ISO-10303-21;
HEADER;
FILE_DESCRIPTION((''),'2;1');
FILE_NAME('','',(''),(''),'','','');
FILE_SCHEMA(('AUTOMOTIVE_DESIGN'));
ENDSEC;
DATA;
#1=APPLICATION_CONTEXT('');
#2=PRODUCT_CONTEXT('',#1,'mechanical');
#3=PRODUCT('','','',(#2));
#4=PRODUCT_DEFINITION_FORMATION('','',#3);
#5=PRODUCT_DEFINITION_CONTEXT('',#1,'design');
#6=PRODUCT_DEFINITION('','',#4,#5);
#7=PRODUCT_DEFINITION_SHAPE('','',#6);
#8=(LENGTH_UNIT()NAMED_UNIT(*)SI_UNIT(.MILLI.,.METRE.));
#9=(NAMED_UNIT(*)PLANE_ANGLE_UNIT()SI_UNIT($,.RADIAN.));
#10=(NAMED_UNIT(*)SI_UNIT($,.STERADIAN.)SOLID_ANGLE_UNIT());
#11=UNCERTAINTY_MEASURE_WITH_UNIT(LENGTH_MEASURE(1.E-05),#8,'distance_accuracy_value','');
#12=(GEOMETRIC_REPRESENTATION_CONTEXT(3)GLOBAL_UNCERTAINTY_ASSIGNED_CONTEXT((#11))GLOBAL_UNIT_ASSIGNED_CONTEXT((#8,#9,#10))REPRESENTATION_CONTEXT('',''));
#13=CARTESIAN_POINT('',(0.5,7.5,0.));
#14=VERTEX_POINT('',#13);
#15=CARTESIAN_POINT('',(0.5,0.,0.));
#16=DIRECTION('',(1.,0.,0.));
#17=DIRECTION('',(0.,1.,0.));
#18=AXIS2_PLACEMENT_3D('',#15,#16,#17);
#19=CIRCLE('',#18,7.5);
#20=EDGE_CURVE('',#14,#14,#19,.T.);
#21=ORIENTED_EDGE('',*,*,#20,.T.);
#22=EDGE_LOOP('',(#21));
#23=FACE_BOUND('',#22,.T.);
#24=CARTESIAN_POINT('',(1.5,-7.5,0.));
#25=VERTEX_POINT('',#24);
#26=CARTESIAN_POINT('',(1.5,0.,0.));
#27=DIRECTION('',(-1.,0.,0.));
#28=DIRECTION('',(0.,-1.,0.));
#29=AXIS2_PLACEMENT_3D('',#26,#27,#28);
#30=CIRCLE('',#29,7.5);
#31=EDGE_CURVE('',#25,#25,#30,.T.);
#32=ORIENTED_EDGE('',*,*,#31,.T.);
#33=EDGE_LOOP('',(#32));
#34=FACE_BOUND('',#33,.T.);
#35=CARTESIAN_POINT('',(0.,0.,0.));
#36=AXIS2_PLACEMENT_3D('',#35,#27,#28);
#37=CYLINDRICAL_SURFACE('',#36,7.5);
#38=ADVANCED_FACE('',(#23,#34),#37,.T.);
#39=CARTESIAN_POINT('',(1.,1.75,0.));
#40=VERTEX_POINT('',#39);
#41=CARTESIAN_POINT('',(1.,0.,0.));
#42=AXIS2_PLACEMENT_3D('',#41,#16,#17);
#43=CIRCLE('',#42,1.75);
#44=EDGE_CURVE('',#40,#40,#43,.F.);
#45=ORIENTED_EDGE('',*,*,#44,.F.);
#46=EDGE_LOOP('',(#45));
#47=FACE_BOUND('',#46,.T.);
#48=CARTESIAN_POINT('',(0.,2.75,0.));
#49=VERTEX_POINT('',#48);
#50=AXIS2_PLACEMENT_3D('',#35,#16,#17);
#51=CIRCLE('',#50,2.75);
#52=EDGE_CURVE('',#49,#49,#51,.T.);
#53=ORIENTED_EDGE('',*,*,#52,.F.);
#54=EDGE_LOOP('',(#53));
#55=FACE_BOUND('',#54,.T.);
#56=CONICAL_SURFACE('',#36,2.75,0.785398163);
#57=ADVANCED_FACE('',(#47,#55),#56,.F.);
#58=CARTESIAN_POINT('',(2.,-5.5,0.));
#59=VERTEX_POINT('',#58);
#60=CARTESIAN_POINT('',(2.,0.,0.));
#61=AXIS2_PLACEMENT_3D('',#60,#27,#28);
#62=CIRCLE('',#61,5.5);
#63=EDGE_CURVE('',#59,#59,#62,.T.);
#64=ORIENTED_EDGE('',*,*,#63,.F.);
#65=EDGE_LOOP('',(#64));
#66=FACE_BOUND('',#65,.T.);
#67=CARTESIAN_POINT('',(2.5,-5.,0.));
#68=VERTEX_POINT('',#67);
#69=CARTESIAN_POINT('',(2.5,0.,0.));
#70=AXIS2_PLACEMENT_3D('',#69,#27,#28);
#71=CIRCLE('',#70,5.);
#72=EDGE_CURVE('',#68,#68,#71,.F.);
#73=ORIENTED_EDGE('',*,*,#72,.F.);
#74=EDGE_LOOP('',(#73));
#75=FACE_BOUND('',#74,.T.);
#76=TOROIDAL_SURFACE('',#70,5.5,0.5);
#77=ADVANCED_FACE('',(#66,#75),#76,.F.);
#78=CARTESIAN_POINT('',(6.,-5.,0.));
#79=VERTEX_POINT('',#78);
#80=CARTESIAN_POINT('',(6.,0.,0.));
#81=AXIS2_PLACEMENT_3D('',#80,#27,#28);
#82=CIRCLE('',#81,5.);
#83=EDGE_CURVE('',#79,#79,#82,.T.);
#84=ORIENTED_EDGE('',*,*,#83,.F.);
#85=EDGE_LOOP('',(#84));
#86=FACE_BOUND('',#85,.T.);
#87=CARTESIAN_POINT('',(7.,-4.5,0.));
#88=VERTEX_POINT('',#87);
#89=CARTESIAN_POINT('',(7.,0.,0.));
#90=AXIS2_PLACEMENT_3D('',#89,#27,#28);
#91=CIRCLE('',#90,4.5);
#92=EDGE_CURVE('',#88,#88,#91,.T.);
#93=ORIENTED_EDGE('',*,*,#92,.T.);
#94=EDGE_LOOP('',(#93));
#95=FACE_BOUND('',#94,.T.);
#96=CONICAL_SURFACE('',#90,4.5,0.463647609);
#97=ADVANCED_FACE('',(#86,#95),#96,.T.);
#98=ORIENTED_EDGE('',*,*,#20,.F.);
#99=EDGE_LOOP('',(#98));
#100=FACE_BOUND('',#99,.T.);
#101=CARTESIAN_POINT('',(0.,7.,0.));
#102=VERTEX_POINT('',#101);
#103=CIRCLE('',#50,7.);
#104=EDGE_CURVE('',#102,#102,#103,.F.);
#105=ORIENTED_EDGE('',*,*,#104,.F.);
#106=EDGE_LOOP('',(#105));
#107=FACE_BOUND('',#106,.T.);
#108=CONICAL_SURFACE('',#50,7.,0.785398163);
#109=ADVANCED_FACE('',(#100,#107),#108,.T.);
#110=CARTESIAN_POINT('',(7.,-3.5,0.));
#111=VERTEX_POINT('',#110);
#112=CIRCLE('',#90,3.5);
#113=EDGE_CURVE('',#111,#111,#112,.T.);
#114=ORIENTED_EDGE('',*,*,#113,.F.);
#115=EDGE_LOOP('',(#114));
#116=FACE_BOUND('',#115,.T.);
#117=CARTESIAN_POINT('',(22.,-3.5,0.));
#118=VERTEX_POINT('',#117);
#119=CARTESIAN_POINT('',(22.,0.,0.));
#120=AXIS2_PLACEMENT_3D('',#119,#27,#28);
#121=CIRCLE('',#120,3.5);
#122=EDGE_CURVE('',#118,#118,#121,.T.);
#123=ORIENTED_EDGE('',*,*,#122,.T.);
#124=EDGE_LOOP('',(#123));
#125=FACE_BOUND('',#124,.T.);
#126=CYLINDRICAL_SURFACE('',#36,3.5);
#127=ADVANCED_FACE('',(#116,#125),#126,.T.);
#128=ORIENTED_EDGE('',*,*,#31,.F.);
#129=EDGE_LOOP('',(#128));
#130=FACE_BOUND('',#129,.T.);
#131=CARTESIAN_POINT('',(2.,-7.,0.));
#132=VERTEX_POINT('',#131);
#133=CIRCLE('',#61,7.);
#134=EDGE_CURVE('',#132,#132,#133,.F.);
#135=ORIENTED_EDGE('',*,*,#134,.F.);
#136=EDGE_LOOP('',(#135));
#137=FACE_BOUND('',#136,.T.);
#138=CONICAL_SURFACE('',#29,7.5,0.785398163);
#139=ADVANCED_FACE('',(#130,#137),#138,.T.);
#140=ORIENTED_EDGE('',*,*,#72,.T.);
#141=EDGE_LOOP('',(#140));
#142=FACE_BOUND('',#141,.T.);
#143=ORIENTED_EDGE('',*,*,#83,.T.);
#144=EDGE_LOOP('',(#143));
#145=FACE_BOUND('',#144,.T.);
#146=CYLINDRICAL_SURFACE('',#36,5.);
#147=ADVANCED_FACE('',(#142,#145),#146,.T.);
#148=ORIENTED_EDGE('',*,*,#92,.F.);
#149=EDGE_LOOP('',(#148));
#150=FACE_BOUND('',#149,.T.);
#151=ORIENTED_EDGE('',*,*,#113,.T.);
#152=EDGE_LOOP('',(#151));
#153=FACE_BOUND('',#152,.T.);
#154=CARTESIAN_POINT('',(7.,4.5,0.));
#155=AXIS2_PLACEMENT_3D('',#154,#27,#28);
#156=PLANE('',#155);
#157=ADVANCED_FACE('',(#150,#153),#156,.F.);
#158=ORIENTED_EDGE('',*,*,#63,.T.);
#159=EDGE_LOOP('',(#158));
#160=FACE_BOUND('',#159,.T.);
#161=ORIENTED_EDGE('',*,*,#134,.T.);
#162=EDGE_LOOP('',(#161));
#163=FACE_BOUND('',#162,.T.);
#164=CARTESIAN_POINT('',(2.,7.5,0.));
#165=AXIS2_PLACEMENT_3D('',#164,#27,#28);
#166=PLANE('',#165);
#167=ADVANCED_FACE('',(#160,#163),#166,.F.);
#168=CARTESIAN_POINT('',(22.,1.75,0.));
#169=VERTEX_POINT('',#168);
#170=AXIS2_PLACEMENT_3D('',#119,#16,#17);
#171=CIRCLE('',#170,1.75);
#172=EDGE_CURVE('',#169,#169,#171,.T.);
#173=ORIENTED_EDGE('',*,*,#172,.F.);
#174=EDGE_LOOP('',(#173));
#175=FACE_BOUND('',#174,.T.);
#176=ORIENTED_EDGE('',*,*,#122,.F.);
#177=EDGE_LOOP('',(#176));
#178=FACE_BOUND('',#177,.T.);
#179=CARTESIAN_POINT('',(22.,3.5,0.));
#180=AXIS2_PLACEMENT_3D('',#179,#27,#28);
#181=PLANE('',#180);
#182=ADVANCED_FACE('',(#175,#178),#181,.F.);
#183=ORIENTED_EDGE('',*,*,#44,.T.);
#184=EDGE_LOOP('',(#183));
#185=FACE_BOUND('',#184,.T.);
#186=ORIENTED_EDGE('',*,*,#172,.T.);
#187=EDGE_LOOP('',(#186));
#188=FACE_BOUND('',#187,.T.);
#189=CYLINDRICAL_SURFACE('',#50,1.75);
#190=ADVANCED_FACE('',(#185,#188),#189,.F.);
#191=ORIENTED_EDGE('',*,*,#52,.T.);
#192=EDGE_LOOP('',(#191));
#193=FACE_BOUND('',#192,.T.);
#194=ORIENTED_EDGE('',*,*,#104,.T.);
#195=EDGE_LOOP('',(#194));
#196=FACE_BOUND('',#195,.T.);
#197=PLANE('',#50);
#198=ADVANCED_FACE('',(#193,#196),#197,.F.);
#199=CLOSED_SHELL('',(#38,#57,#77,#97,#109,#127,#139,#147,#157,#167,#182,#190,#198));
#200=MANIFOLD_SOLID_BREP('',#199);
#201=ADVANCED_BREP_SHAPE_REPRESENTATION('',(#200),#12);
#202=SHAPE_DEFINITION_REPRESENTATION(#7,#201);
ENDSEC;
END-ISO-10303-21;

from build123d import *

# Parameters (mm, degrees)
FILLET1_R          = 0.5
CHAMFER1_SIZE      = 0.5
SKETCH2_R          = 1.75
CUT_EXTRUDE1_DEPTH = 23
CHAMFER2_SIZE      = 1


with BuildPart() as part:
    # Sketch1 → Revolve1 (revolve)
    with BuildSketch(Plane.XY):
        Polygon((0, 0), (0, 7.5), (2, 7.5), (2, 5), (6, 5), (7, 4.5), (7, 3.5), (22, 3.5), (22, 0), align=None)
    revolve(axis=Axis((0, 0, 0), (1, 0, 0)))

    # Fillet1
    fillet1_edges = [part.edges().sort_by_distance(p)[0] for p in [
        (2, -5, 0),
    ]]
    fillet(fillet1_edges, radius=FILLET1_R)

    # Chamfer1
    chamfer1_edges = [part.edges().sort_by_distance(p)[0] for p in [
        (2, -7.5, 0),
        (0, -7.5, 0),
    ]]
    chamfer(chamfer1_edges, length=CHAMFER1_SIZE)

    # Sketch2 → Cut-Extrude1 (cut, through all)
    with BuildSketch(Plane(origin=(22, 0, 0), x_dir=(0, 0, -1), z_dir=(1, 0, 0))):
        Circle(SKETCH2_R)
    extrude(amount=-CUT_EXTRUDE1_DEPTH, mode=Mode.SUBTRACT)

    # Chamfer2
    chamfer2_edges = [part.edges().sort_by_distance(p)[0] for p in [
        (0, 0, 1.75),
    ]]
    chamfer(chamfer2_edges, length=CHAMFER2_SIZE)


solid = part.part
